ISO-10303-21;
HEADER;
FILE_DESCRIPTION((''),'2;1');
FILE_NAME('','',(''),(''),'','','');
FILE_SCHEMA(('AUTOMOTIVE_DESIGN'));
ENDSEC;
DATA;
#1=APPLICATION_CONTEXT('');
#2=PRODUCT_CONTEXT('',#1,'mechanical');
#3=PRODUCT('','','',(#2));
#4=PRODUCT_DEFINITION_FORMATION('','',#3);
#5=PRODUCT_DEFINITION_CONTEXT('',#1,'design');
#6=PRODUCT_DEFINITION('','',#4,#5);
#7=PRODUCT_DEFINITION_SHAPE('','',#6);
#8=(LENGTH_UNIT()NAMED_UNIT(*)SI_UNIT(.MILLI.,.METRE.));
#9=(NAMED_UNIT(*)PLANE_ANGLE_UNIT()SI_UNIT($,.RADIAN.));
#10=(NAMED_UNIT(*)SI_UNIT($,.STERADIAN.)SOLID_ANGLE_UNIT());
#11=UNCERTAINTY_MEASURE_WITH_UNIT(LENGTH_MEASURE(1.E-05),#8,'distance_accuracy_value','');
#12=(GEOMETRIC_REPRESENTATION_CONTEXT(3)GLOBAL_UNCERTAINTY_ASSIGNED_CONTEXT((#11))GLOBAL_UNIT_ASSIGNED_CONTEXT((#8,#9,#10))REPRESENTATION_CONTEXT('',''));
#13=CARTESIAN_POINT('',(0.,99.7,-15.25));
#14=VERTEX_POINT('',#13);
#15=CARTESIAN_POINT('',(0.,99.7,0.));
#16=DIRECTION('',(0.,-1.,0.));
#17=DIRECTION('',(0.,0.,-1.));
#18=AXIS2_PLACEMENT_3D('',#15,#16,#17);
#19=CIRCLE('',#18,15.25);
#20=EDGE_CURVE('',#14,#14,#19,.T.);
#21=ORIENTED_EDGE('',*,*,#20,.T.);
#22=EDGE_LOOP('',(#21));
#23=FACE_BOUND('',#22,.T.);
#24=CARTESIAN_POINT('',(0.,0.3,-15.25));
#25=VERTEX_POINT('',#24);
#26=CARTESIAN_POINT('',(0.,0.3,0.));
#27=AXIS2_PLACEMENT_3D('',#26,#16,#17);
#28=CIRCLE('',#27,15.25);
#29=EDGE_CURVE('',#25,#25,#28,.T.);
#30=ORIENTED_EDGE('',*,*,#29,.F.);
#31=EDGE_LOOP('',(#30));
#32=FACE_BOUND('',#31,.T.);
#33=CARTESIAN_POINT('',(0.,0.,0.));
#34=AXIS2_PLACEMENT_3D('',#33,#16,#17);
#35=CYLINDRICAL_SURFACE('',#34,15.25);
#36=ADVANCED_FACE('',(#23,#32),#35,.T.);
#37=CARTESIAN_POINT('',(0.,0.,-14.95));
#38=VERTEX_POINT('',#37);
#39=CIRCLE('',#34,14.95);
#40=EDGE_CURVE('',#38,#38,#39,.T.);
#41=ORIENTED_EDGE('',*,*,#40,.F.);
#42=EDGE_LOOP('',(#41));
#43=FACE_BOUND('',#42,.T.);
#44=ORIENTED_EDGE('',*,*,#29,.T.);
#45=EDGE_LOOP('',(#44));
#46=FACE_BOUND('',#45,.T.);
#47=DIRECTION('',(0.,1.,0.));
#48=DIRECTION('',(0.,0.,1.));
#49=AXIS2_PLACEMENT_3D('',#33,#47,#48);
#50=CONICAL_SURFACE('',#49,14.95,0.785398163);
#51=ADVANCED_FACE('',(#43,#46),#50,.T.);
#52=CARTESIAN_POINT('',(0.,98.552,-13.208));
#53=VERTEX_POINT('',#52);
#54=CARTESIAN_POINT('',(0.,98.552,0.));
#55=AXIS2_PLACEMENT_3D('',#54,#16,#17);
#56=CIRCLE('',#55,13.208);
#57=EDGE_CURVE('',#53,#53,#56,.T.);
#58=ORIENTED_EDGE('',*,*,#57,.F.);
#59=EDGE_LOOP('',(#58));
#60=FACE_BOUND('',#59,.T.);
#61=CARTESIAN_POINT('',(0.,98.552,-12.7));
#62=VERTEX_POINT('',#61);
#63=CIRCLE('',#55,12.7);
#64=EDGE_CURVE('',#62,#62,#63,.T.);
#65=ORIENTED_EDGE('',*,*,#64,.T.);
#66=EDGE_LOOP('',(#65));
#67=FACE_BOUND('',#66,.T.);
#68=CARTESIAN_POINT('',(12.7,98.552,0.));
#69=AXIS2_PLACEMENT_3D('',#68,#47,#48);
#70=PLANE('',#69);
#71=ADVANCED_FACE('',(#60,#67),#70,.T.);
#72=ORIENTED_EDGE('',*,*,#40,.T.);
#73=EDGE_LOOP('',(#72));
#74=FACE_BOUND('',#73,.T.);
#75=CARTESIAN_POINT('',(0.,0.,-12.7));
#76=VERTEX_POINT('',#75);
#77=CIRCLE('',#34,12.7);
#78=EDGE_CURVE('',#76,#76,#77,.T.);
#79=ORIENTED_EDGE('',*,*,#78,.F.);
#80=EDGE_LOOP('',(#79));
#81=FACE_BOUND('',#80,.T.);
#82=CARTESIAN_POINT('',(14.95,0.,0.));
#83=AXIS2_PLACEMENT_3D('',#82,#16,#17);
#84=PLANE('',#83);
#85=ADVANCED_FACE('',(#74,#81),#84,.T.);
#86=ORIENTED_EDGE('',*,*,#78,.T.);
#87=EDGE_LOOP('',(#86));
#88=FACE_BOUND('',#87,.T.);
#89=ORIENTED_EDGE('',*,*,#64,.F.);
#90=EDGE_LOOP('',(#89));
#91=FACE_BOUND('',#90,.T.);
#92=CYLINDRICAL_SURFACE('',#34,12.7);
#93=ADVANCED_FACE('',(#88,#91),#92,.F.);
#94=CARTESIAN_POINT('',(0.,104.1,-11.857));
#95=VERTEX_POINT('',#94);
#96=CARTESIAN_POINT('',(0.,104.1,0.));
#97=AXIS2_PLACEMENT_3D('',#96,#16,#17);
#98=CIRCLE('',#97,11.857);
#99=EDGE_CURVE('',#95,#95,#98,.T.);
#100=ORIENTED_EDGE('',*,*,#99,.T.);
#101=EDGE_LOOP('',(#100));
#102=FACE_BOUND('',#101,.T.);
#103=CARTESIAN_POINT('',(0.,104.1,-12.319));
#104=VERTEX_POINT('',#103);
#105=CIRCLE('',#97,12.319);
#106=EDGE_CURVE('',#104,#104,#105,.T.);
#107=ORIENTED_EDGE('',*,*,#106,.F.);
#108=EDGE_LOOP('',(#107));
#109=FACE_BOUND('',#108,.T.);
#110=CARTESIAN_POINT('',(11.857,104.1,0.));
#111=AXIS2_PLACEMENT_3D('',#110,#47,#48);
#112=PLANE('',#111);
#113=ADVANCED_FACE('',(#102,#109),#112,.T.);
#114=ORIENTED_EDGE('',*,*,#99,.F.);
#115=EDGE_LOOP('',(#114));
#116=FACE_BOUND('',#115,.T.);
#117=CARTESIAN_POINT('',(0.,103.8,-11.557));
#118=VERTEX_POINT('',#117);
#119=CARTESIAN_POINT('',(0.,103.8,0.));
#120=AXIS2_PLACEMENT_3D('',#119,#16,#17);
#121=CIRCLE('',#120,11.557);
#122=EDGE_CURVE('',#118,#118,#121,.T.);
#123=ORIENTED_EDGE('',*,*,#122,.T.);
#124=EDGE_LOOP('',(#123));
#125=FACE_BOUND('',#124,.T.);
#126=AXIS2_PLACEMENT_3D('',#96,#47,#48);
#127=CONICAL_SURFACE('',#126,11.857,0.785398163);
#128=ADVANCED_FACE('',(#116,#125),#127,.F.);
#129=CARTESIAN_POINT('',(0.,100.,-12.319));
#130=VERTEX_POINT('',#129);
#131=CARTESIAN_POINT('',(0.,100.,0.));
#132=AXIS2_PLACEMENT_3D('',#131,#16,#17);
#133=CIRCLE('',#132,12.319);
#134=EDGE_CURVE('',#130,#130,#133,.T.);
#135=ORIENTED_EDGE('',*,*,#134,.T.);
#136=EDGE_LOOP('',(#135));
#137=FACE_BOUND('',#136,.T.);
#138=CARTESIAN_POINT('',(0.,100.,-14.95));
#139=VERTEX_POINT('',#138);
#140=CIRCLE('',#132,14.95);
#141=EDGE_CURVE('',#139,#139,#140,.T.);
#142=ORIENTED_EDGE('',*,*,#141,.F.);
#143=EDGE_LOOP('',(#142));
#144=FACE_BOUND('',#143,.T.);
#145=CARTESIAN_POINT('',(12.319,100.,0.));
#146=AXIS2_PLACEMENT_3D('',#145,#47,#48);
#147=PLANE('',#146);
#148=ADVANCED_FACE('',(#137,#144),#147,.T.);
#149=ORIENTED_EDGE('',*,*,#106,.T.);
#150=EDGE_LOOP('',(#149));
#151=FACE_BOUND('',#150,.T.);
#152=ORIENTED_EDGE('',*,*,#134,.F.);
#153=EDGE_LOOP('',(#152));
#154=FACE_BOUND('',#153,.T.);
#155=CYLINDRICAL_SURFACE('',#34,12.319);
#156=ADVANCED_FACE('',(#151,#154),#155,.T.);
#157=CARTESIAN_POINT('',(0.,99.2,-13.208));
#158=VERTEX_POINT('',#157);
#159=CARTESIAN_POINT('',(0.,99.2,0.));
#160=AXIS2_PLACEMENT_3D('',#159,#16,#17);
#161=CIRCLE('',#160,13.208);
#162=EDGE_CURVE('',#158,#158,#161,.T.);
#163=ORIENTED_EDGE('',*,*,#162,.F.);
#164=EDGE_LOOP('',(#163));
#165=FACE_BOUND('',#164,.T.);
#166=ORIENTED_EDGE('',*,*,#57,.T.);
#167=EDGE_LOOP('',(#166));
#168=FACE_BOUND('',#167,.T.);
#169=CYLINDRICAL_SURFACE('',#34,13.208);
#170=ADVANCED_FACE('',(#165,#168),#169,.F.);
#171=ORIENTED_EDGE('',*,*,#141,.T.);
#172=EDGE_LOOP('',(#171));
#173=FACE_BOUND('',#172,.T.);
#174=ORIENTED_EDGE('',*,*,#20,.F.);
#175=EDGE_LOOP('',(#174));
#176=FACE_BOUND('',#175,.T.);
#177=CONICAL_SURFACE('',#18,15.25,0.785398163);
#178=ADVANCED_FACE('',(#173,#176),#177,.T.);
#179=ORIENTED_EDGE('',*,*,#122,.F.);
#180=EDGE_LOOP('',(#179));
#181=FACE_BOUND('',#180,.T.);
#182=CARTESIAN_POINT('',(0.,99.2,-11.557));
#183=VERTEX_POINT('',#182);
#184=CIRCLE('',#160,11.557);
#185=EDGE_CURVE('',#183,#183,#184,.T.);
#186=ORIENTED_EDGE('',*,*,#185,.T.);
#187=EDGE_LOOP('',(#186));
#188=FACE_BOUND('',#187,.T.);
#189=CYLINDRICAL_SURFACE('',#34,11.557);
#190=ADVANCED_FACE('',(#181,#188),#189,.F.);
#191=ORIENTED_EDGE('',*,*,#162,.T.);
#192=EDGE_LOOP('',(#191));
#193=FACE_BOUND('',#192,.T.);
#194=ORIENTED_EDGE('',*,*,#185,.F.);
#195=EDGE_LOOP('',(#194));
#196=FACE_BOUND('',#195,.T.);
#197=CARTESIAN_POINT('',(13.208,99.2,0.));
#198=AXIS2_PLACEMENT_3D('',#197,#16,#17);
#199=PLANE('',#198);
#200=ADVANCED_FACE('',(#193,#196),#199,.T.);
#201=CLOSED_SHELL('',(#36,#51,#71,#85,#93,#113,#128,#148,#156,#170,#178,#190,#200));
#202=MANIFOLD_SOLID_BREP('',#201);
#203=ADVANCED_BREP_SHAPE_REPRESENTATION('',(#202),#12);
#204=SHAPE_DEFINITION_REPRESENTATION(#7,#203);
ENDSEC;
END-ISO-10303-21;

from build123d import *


with BuildPart() as part:
    # Sketch1 → Revolve1 (revolve)
    with BuildSketch(Plane.XY):
        Polygon((12.7, 0), (12.7, 98.552), (13.208, 98.552), (13.208, 99.2), (11.557, 99.2), (11.557, 103.8), (11.857, 104.1), (12.319, 104.1), (12.319, 100), (14.95, 100), (15.25, 99.7), (15.25, 0.3), (14.95, 0), align=None)
    revolve(axis=Axis((0, 0, 0), (0, 1, 0)))


solid = part.part
